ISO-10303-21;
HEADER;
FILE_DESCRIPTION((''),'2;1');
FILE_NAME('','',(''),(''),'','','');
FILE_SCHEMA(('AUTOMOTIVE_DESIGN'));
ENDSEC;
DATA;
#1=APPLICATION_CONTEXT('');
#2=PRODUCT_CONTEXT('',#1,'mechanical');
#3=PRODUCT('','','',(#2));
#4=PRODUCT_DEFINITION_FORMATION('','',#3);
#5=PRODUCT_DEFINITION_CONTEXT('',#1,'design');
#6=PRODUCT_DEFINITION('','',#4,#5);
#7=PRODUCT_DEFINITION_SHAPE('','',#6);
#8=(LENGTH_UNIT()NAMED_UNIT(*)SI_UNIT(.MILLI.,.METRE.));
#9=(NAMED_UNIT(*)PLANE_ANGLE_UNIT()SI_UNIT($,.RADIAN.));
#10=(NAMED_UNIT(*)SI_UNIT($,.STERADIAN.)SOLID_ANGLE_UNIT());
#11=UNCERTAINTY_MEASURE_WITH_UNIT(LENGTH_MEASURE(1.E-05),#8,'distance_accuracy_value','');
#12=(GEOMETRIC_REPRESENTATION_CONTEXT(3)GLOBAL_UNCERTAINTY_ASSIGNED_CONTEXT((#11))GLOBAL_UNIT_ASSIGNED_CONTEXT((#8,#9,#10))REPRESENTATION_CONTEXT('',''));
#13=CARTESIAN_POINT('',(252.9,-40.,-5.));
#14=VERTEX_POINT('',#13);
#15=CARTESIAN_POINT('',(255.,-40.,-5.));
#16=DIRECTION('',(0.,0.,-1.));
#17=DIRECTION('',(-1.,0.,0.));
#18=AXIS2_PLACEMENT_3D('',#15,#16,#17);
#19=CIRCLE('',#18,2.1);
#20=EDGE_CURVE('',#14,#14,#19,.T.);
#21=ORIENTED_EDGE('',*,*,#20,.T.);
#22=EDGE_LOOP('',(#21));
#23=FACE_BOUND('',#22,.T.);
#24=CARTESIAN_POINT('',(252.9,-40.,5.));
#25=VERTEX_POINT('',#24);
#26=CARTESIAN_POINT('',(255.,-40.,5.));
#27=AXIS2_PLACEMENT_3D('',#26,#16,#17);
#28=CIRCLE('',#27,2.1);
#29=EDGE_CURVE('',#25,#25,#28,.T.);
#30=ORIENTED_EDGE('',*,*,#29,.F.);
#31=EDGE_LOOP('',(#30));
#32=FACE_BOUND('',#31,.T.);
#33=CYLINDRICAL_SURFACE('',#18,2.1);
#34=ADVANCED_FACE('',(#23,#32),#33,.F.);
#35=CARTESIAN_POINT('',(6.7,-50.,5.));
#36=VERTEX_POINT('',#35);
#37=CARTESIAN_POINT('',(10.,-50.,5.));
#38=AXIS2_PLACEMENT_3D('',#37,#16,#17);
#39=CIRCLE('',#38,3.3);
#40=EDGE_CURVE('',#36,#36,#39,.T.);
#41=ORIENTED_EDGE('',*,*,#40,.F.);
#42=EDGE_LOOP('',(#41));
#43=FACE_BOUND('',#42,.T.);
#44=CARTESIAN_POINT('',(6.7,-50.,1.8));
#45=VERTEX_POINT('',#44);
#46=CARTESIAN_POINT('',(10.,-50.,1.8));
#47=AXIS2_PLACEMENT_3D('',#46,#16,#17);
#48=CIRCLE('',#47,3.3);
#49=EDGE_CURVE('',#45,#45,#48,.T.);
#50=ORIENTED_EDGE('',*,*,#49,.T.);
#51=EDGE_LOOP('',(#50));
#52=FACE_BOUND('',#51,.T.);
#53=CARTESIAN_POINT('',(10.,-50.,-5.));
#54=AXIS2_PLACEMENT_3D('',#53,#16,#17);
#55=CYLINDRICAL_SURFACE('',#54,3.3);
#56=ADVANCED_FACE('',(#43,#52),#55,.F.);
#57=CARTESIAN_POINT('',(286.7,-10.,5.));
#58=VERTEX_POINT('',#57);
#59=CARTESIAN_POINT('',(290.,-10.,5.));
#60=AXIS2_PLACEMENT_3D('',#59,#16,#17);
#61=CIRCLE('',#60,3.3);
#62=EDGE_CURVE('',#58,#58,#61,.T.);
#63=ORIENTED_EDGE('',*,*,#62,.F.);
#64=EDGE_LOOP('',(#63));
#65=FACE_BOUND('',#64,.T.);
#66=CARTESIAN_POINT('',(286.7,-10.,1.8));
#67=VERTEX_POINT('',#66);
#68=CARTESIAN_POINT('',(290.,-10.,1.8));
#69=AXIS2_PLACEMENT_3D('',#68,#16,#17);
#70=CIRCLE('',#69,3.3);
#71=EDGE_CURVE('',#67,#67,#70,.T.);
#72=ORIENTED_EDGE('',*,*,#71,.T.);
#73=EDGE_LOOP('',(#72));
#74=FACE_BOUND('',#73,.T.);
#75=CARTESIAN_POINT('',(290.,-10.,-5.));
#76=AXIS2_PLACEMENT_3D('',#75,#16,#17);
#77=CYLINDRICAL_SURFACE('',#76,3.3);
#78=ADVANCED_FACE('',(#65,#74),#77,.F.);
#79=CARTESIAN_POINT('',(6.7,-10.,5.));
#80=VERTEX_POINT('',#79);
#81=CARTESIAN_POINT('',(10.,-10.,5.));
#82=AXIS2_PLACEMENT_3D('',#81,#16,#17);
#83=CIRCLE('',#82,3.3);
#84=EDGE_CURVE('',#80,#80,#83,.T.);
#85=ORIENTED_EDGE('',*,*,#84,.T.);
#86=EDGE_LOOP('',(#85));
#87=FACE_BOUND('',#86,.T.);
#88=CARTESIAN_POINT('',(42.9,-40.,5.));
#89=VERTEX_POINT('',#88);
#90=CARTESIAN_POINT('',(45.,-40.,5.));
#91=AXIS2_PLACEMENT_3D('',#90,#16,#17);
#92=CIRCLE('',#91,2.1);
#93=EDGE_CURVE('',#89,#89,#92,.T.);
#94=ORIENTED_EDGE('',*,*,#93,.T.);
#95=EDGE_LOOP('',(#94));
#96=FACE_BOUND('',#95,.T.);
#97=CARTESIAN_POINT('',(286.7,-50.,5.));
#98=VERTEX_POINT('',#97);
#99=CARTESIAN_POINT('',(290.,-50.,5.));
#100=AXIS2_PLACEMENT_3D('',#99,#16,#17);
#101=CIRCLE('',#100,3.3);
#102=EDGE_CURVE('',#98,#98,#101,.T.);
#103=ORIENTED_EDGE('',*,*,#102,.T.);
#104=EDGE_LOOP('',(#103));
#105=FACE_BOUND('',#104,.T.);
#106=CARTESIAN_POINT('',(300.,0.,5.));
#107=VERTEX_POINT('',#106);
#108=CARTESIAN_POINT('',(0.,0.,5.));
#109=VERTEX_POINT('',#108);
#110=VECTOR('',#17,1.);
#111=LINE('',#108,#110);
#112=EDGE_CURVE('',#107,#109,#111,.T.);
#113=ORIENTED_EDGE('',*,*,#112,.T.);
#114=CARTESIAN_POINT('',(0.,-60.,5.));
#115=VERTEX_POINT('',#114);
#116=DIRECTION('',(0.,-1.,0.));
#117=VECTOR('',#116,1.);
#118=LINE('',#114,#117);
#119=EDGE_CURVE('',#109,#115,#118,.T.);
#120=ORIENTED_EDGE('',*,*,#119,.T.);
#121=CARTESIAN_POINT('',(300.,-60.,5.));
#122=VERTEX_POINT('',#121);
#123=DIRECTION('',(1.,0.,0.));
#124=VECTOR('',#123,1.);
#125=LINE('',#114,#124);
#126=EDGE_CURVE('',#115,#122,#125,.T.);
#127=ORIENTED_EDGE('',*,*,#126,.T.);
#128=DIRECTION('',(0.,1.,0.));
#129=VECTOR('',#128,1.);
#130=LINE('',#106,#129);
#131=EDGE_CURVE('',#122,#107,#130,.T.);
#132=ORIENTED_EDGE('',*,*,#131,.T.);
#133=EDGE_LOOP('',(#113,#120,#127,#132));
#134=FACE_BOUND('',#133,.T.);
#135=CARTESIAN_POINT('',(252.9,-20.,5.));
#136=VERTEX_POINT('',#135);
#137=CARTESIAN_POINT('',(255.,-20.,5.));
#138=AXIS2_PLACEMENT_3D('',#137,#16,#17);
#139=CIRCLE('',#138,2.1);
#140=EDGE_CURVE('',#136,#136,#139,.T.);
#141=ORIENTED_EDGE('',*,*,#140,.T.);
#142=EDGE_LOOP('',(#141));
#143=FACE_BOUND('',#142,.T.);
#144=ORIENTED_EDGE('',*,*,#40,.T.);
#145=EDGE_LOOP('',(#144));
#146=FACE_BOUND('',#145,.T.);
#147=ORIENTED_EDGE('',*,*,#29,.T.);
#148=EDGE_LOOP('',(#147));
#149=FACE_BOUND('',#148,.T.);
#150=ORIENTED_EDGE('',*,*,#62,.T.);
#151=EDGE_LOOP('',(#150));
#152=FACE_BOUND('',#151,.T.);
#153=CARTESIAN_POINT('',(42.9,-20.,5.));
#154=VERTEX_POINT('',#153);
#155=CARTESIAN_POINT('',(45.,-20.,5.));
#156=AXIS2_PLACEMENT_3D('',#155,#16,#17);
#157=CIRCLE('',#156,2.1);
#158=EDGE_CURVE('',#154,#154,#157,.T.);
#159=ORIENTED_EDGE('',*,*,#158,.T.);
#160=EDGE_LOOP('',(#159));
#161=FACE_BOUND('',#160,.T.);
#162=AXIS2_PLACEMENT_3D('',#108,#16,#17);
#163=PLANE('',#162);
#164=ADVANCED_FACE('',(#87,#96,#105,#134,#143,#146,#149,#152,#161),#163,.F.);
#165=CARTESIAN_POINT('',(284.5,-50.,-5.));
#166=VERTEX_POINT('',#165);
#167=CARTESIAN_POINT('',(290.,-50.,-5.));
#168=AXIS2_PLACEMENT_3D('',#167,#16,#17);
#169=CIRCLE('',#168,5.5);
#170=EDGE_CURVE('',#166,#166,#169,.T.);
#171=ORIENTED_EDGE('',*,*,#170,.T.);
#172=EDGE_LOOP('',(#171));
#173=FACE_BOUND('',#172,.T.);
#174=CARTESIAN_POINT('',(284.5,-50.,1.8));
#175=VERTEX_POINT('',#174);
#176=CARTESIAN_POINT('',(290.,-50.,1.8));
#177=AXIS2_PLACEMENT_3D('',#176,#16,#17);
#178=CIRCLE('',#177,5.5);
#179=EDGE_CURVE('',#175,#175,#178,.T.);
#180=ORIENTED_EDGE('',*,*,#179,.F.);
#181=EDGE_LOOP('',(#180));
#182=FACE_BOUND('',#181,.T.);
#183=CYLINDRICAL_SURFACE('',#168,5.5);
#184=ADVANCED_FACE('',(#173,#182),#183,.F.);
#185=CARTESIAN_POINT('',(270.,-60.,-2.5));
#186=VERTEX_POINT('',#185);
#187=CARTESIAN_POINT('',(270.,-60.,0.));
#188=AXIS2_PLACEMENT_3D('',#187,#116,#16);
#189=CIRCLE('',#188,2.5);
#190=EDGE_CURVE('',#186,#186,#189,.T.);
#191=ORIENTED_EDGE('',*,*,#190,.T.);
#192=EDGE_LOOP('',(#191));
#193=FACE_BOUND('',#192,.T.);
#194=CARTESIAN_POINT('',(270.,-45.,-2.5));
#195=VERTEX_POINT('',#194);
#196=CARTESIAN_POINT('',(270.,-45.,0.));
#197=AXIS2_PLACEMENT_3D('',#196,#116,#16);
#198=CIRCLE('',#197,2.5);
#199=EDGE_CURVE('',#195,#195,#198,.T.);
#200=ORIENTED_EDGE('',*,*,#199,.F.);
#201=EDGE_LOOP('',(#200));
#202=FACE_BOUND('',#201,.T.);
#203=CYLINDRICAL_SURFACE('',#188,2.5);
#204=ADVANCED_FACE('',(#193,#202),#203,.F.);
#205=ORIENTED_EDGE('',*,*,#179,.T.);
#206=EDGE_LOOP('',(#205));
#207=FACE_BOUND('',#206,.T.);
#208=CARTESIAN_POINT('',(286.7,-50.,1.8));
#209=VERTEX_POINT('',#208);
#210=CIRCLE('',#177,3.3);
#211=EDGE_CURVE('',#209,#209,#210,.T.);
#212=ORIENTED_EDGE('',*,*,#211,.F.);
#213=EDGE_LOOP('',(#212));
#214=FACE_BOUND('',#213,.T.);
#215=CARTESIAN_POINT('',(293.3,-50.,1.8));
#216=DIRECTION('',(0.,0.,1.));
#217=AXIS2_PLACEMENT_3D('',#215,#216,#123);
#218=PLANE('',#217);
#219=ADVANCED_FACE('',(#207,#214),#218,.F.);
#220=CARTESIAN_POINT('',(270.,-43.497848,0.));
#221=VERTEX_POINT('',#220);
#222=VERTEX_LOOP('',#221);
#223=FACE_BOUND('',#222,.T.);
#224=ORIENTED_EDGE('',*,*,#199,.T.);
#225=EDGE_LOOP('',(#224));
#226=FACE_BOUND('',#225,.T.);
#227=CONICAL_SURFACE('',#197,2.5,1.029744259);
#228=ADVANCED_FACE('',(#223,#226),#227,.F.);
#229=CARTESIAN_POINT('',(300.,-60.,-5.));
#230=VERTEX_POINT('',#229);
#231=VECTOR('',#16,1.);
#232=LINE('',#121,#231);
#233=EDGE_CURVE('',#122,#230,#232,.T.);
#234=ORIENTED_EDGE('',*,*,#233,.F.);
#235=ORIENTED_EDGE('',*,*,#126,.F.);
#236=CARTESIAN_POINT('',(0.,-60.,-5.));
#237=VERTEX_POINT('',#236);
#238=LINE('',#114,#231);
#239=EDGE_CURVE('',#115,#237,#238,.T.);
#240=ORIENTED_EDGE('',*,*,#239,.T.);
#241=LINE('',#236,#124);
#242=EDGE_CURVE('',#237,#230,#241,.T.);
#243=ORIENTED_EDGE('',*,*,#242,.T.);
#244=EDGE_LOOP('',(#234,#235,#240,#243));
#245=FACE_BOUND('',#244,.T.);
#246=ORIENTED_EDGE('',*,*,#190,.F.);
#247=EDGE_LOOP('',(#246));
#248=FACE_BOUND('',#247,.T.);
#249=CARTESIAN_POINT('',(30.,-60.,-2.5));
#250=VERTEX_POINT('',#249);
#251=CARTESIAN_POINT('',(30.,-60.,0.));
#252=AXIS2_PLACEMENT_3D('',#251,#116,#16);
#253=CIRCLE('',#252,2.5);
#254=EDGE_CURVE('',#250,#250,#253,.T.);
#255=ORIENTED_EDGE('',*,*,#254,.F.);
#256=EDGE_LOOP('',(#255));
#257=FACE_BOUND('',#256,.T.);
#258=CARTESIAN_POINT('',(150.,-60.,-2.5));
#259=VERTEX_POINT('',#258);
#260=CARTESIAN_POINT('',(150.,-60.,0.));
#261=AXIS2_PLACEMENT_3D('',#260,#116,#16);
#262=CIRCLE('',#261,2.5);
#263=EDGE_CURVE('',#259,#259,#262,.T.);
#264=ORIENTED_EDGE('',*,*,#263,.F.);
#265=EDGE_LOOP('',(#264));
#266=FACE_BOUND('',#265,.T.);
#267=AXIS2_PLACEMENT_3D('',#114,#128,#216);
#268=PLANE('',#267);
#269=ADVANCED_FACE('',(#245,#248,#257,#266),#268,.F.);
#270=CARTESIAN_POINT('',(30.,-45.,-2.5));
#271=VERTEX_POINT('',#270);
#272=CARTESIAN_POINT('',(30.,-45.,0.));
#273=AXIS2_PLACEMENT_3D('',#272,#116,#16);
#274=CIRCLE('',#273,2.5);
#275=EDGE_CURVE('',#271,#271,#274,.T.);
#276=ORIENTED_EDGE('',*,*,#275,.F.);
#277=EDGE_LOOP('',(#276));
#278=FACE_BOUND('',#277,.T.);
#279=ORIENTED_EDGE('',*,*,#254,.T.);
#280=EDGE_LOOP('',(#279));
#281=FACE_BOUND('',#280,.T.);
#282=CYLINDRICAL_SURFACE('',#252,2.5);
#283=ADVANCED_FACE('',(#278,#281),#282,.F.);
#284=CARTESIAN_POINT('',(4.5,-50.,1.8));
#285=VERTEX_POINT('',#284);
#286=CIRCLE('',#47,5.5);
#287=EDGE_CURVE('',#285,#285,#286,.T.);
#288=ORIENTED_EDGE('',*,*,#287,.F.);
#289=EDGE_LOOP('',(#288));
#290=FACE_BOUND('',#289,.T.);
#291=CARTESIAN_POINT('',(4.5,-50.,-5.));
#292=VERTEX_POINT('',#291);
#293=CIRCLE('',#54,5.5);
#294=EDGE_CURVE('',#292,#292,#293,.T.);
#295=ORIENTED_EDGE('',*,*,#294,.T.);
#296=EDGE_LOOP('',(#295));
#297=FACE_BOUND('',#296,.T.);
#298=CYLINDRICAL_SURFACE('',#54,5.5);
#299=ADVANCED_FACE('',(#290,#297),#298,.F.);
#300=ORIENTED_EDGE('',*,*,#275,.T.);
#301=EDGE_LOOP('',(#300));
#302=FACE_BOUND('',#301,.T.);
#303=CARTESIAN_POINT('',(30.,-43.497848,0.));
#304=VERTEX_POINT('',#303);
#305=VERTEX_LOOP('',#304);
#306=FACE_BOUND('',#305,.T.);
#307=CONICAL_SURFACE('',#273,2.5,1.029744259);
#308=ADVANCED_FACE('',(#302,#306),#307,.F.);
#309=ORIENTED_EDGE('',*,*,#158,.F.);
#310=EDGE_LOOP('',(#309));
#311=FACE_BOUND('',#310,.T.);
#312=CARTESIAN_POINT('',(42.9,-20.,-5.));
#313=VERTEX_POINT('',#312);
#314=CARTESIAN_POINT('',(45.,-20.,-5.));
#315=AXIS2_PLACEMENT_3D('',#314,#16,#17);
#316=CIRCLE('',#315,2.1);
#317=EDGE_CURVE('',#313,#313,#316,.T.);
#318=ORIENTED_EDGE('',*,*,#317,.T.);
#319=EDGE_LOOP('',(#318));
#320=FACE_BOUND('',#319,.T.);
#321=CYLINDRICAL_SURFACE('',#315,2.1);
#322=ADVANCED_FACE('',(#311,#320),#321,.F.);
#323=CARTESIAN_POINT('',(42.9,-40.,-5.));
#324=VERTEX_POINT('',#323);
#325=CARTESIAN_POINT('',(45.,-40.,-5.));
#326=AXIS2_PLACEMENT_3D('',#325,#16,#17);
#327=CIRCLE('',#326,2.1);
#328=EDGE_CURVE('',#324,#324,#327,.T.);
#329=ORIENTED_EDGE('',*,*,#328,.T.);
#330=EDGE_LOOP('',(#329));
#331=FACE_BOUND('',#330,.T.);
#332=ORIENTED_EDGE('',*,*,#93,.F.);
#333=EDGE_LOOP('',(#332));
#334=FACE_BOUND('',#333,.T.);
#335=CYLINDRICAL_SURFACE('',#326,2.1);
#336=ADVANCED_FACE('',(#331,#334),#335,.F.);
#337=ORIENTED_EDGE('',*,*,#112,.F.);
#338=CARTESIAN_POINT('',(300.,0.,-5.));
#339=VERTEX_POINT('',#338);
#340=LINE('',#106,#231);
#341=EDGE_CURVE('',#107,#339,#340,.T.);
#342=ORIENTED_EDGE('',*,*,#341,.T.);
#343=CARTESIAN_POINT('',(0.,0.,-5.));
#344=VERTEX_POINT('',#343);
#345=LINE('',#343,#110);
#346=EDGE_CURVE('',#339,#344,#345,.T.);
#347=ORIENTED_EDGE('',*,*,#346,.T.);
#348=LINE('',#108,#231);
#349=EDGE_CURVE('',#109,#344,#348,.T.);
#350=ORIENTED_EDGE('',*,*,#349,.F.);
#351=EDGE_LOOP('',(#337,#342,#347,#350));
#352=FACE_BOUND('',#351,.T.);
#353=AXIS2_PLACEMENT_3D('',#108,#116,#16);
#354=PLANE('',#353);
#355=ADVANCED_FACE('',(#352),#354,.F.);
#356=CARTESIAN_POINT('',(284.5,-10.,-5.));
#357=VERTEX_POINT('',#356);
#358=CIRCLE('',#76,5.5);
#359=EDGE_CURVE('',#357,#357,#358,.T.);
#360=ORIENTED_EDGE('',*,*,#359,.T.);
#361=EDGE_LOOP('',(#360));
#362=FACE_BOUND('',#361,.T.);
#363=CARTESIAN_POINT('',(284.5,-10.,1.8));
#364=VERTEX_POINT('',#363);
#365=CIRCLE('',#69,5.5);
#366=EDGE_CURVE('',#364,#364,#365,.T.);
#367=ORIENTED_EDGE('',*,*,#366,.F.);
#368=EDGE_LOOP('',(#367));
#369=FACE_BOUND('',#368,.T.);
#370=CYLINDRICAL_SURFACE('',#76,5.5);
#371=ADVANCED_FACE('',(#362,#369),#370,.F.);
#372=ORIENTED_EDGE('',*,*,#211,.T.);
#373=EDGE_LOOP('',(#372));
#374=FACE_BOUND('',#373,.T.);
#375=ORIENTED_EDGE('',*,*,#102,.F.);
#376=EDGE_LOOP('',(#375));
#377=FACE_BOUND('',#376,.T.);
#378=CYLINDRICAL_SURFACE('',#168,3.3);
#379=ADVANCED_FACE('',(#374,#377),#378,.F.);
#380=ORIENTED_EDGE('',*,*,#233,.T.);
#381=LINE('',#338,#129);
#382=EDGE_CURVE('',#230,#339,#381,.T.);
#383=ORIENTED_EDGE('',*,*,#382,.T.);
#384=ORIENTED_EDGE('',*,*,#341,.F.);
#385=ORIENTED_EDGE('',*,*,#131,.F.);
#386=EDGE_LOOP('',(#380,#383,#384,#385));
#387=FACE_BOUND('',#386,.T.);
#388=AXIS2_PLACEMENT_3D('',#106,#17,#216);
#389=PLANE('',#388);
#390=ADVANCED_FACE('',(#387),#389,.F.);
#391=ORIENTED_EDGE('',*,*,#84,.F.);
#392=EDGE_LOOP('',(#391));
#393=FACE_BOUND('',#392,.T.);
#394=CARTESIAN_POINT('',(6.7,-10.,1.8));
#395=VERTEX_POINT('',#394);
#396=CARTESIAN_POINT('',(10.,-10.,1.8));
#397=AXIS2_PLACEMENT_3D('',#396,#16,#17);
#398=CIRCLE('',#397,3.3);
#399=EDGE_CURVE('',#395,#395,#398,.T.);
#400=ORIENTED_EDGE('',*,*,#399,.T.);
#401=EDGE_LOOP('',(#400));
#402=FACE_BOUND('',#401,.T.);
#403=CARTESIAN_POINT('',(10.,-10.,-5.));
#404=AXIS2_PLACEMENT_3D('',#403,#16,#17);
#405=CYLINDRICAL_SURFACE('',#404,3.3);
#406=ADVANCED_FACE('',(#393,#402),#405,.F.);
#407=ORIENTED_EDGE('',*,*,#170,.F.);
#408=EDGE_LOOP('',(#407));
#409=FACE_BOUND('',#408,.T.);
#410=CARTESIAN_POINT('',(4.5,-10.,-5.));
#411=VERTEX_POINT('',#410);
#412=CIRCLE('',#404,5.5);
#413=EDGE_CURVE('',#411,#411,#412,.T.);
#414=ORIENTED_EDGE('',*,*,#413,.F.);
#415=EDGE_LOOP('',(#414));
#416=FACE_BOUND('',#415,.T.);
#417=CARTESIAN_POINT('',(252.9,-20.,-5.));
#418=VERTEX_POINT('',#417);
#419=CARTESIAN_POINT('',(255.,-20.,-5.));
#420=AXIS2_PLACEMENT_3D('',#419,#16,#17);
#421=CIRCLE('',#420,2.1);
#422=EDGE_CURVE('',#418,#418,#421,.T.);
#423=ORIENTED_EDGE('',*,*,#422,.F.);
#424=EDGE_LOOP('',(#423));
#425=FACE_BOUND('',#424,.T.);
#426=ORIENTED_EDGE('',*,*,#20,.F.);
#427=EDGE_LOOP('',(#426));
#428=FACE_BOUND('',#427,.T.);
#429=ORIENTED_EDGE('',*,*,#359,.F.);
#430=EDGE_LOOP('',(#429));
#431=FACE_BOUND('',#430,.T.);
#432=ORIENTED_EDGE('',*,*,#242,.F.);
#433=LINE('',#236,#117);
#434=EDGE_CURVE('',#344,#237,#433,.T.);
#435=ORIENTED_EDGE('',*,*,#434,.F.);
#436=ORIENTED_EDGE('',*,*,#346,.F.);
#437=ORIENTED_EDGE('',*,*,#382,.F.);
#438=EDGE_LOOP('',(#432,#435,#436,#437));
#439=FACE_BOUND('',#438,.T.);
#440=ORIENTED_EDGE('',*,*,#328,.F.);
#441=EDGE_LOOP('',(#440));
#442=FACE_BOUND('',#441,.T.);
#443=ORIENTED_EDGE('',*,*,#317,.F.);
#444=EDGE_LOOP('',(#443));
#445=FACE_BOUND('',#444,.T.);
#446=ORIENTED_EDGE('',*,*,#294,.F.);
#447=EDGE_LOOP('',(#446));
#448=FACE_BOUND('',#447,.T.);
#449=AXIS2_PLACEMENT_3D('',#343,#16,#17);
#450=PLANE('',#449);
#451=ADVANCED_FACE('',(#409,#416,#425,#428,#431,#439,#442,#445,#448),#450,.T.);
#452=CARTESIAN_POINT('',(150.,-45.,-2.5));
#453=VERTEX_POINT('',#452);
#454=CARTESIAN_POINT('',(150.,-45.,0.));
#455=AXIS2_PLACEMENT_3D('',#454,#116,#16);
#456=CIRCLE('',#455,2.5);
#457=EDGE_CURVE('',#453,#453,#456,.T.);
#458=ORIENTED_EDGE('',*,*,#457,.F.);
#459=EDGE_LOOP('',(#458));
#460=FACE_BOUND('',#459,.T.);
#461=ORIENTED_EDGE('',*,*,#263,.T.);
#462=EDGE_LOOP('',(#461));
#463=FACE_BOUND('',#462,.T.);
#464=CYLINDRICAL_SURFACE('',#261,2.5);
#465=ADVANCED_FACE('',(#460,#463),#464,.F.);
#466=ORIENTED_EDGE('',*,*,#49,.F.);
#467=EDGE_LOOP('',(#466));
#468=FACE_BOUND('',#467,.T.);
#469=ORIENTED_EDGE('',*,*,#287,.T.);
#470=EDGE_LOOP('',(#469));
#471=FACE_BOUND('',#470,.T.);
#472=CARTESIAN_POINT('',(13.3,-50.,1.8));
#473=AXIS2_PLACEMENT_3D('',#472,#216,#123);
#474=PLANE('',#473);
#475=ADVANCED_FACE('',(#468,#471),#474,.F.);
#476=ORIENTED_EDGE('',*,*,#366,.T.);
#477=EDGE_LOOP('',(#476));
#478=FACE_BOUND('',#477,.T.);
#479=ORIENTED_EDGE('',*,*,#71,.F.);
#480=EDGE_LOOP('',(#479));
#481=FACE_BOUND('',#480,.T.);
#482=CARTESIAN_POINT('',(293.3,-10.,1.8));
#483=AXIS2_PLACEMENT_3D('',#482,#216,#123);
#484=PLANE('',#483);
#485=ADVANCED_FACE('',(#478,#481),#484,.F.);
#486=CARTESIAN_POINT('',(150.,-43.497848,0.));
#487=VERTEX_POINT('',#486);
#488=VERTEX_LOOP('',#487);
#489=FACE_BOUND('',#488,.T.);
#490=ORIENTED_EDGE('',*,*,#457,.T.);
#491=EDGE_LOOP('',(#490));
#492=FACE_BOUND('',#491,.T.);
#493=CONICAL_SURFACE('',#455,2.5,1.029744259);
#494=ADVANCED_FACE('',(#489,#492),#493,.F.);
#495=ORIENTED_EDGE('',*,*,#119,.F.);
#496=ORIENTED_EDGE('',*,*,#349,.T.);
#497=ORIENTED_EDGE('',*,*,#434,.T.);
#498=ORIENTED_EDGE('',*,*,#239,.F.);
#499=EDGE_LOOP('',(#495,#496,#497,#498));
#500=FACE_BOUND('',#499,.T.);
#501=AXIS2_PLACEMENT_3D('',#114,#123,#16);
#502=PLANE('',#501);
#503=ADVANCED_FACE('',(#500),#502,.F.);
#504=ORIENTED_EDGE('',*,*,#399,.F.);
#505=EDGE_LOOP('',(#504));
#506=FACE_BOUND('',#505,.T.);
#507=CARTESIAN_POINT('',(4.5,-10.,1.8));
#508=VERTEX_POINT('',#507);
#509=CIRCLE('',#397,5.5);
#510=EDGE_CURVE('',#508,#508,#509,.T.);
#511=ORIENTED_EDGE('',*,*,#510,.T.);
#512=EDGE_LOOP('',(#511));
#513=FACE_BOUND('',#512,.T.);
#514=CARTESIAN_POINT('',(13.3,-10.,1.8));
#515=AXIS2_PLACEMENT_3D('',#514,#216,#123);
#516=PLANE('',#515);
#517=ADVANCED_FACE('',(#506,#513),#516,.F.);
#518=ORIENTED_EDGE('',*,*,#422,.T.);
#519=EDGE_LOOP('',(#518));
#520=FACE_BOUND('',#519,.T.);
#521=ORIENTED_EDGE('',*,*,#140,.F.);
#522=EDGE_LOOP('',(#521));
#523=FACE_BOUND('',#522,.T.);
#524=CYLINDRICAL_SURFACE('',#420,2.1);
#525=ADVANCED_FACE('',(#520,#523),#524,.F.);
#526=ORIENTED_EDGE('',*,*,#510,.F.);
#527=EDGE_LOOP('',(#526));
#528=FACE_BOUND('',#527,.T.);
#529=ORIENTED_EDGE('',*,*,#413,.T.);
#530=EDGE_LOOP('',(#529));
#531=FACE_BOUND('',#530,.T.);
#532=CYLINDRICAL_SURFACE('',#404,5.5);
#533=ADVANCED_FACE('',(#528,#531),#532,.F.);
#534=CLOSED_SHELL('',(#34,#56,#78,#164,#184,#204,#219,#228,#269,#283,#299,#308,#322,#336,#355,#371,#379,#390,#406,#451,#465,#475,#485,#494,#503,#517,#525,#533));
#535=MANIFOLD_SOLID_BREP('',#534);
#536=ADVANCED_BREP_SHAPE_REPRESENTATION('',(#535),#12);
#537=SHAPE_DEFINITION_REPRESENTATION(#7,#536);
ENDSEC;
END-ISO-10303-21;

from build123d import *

# Parameters (mm, degrees)
SKETCH_1_W                = 300
SKETCH_1_H                = 60
EXTRUDE_1_DEPTH           = 5
HOLE_WIZARD_M6_1_D        = 5
HOLE_WIZARD_M6_1_DEPTH    = 15
HOLE_WIZARD_M6_1_TIP      = 1.502151548
HOLE_WIZARD_1_D           = 6.6
HOLE_WIZARD_1_CBORE_D     = 11
HOLE_WIZARD_1_CBORE_DEPTH = 6.8
HOLE_WIZARD_M5_1_D        = 4.2


with BuildPart() as part:
    # 草图1 → 凸台-拉伸1 (new body, symmetric)
    with BuildSketch(Plane.XY):
        with Locations((150, -30)):
            Rectangle(SKETCH_1_W, SKETCH_1_H)
    extrude(amount=EXTRUDE_1_DEPTH, both=True)

    # M6 螺纹孔1
    with Locations(Plane(origin=(30, -60, 0), x_dir=(0, 0, -1), z_dir=(0, -1, 0))):
        with Locations((0, 0), (0, 240), (0, 120)):
            Hole(HOLE_WIZARD_M6_1_D / 2, depth=HOLE_WIZARD_M6_1_DEPTH)
            with Locations((0, 0, -(HOLE_WIZARD_M6_1_DEPTH + HOLE_WIZARD_M6_1_TIP / 2))):  # 118° drill point
                Cone(0, HOLE_WIZARD_M6_1_D / 2, HOLE_WIZARD_M6_1_TIP, mode=Mode.SUBTRACT)

    # 打孔尺寸(%根据)内六角圆柱头螺钉的类型1 (through all)
    with Locations(Plane(origin=(10, -10, -5), x_dir=(-1, 0, 0), z_dir=(0, 0, -1))):
        with Locations((0, 0), (0, -40), (-280, 0), (-280, -40)):
            CounterBoreHole(HOLE_WIZARD_1_D / 2, HOLE_WIZARD_1_CBORE_D / 2, HOLE_WIZARD_1_CBORE_DEPTH)

    # M5 螺纹孔1 (through all)
    with Locations(Plane(origin=(45, -20, -5), x_dir=(-1, 0, 0), z_dir=(0, 0, -1))):
        with Locations((0, 0), (0, -20)):
            hole_wizard_m5_1 = Hole(HOLE_WIZARD_M5_1_D / 2)

    # 镜向1: M5 螺纹孔1 across plane
    add(hole_wizard_m5_1.mirror(Plane(origin=(150, 0, 0), x_dir=(0, 0, 1), z_dir=(1, 0, 0))), mode=Mode.SUBTRACT)


solid = part.part
